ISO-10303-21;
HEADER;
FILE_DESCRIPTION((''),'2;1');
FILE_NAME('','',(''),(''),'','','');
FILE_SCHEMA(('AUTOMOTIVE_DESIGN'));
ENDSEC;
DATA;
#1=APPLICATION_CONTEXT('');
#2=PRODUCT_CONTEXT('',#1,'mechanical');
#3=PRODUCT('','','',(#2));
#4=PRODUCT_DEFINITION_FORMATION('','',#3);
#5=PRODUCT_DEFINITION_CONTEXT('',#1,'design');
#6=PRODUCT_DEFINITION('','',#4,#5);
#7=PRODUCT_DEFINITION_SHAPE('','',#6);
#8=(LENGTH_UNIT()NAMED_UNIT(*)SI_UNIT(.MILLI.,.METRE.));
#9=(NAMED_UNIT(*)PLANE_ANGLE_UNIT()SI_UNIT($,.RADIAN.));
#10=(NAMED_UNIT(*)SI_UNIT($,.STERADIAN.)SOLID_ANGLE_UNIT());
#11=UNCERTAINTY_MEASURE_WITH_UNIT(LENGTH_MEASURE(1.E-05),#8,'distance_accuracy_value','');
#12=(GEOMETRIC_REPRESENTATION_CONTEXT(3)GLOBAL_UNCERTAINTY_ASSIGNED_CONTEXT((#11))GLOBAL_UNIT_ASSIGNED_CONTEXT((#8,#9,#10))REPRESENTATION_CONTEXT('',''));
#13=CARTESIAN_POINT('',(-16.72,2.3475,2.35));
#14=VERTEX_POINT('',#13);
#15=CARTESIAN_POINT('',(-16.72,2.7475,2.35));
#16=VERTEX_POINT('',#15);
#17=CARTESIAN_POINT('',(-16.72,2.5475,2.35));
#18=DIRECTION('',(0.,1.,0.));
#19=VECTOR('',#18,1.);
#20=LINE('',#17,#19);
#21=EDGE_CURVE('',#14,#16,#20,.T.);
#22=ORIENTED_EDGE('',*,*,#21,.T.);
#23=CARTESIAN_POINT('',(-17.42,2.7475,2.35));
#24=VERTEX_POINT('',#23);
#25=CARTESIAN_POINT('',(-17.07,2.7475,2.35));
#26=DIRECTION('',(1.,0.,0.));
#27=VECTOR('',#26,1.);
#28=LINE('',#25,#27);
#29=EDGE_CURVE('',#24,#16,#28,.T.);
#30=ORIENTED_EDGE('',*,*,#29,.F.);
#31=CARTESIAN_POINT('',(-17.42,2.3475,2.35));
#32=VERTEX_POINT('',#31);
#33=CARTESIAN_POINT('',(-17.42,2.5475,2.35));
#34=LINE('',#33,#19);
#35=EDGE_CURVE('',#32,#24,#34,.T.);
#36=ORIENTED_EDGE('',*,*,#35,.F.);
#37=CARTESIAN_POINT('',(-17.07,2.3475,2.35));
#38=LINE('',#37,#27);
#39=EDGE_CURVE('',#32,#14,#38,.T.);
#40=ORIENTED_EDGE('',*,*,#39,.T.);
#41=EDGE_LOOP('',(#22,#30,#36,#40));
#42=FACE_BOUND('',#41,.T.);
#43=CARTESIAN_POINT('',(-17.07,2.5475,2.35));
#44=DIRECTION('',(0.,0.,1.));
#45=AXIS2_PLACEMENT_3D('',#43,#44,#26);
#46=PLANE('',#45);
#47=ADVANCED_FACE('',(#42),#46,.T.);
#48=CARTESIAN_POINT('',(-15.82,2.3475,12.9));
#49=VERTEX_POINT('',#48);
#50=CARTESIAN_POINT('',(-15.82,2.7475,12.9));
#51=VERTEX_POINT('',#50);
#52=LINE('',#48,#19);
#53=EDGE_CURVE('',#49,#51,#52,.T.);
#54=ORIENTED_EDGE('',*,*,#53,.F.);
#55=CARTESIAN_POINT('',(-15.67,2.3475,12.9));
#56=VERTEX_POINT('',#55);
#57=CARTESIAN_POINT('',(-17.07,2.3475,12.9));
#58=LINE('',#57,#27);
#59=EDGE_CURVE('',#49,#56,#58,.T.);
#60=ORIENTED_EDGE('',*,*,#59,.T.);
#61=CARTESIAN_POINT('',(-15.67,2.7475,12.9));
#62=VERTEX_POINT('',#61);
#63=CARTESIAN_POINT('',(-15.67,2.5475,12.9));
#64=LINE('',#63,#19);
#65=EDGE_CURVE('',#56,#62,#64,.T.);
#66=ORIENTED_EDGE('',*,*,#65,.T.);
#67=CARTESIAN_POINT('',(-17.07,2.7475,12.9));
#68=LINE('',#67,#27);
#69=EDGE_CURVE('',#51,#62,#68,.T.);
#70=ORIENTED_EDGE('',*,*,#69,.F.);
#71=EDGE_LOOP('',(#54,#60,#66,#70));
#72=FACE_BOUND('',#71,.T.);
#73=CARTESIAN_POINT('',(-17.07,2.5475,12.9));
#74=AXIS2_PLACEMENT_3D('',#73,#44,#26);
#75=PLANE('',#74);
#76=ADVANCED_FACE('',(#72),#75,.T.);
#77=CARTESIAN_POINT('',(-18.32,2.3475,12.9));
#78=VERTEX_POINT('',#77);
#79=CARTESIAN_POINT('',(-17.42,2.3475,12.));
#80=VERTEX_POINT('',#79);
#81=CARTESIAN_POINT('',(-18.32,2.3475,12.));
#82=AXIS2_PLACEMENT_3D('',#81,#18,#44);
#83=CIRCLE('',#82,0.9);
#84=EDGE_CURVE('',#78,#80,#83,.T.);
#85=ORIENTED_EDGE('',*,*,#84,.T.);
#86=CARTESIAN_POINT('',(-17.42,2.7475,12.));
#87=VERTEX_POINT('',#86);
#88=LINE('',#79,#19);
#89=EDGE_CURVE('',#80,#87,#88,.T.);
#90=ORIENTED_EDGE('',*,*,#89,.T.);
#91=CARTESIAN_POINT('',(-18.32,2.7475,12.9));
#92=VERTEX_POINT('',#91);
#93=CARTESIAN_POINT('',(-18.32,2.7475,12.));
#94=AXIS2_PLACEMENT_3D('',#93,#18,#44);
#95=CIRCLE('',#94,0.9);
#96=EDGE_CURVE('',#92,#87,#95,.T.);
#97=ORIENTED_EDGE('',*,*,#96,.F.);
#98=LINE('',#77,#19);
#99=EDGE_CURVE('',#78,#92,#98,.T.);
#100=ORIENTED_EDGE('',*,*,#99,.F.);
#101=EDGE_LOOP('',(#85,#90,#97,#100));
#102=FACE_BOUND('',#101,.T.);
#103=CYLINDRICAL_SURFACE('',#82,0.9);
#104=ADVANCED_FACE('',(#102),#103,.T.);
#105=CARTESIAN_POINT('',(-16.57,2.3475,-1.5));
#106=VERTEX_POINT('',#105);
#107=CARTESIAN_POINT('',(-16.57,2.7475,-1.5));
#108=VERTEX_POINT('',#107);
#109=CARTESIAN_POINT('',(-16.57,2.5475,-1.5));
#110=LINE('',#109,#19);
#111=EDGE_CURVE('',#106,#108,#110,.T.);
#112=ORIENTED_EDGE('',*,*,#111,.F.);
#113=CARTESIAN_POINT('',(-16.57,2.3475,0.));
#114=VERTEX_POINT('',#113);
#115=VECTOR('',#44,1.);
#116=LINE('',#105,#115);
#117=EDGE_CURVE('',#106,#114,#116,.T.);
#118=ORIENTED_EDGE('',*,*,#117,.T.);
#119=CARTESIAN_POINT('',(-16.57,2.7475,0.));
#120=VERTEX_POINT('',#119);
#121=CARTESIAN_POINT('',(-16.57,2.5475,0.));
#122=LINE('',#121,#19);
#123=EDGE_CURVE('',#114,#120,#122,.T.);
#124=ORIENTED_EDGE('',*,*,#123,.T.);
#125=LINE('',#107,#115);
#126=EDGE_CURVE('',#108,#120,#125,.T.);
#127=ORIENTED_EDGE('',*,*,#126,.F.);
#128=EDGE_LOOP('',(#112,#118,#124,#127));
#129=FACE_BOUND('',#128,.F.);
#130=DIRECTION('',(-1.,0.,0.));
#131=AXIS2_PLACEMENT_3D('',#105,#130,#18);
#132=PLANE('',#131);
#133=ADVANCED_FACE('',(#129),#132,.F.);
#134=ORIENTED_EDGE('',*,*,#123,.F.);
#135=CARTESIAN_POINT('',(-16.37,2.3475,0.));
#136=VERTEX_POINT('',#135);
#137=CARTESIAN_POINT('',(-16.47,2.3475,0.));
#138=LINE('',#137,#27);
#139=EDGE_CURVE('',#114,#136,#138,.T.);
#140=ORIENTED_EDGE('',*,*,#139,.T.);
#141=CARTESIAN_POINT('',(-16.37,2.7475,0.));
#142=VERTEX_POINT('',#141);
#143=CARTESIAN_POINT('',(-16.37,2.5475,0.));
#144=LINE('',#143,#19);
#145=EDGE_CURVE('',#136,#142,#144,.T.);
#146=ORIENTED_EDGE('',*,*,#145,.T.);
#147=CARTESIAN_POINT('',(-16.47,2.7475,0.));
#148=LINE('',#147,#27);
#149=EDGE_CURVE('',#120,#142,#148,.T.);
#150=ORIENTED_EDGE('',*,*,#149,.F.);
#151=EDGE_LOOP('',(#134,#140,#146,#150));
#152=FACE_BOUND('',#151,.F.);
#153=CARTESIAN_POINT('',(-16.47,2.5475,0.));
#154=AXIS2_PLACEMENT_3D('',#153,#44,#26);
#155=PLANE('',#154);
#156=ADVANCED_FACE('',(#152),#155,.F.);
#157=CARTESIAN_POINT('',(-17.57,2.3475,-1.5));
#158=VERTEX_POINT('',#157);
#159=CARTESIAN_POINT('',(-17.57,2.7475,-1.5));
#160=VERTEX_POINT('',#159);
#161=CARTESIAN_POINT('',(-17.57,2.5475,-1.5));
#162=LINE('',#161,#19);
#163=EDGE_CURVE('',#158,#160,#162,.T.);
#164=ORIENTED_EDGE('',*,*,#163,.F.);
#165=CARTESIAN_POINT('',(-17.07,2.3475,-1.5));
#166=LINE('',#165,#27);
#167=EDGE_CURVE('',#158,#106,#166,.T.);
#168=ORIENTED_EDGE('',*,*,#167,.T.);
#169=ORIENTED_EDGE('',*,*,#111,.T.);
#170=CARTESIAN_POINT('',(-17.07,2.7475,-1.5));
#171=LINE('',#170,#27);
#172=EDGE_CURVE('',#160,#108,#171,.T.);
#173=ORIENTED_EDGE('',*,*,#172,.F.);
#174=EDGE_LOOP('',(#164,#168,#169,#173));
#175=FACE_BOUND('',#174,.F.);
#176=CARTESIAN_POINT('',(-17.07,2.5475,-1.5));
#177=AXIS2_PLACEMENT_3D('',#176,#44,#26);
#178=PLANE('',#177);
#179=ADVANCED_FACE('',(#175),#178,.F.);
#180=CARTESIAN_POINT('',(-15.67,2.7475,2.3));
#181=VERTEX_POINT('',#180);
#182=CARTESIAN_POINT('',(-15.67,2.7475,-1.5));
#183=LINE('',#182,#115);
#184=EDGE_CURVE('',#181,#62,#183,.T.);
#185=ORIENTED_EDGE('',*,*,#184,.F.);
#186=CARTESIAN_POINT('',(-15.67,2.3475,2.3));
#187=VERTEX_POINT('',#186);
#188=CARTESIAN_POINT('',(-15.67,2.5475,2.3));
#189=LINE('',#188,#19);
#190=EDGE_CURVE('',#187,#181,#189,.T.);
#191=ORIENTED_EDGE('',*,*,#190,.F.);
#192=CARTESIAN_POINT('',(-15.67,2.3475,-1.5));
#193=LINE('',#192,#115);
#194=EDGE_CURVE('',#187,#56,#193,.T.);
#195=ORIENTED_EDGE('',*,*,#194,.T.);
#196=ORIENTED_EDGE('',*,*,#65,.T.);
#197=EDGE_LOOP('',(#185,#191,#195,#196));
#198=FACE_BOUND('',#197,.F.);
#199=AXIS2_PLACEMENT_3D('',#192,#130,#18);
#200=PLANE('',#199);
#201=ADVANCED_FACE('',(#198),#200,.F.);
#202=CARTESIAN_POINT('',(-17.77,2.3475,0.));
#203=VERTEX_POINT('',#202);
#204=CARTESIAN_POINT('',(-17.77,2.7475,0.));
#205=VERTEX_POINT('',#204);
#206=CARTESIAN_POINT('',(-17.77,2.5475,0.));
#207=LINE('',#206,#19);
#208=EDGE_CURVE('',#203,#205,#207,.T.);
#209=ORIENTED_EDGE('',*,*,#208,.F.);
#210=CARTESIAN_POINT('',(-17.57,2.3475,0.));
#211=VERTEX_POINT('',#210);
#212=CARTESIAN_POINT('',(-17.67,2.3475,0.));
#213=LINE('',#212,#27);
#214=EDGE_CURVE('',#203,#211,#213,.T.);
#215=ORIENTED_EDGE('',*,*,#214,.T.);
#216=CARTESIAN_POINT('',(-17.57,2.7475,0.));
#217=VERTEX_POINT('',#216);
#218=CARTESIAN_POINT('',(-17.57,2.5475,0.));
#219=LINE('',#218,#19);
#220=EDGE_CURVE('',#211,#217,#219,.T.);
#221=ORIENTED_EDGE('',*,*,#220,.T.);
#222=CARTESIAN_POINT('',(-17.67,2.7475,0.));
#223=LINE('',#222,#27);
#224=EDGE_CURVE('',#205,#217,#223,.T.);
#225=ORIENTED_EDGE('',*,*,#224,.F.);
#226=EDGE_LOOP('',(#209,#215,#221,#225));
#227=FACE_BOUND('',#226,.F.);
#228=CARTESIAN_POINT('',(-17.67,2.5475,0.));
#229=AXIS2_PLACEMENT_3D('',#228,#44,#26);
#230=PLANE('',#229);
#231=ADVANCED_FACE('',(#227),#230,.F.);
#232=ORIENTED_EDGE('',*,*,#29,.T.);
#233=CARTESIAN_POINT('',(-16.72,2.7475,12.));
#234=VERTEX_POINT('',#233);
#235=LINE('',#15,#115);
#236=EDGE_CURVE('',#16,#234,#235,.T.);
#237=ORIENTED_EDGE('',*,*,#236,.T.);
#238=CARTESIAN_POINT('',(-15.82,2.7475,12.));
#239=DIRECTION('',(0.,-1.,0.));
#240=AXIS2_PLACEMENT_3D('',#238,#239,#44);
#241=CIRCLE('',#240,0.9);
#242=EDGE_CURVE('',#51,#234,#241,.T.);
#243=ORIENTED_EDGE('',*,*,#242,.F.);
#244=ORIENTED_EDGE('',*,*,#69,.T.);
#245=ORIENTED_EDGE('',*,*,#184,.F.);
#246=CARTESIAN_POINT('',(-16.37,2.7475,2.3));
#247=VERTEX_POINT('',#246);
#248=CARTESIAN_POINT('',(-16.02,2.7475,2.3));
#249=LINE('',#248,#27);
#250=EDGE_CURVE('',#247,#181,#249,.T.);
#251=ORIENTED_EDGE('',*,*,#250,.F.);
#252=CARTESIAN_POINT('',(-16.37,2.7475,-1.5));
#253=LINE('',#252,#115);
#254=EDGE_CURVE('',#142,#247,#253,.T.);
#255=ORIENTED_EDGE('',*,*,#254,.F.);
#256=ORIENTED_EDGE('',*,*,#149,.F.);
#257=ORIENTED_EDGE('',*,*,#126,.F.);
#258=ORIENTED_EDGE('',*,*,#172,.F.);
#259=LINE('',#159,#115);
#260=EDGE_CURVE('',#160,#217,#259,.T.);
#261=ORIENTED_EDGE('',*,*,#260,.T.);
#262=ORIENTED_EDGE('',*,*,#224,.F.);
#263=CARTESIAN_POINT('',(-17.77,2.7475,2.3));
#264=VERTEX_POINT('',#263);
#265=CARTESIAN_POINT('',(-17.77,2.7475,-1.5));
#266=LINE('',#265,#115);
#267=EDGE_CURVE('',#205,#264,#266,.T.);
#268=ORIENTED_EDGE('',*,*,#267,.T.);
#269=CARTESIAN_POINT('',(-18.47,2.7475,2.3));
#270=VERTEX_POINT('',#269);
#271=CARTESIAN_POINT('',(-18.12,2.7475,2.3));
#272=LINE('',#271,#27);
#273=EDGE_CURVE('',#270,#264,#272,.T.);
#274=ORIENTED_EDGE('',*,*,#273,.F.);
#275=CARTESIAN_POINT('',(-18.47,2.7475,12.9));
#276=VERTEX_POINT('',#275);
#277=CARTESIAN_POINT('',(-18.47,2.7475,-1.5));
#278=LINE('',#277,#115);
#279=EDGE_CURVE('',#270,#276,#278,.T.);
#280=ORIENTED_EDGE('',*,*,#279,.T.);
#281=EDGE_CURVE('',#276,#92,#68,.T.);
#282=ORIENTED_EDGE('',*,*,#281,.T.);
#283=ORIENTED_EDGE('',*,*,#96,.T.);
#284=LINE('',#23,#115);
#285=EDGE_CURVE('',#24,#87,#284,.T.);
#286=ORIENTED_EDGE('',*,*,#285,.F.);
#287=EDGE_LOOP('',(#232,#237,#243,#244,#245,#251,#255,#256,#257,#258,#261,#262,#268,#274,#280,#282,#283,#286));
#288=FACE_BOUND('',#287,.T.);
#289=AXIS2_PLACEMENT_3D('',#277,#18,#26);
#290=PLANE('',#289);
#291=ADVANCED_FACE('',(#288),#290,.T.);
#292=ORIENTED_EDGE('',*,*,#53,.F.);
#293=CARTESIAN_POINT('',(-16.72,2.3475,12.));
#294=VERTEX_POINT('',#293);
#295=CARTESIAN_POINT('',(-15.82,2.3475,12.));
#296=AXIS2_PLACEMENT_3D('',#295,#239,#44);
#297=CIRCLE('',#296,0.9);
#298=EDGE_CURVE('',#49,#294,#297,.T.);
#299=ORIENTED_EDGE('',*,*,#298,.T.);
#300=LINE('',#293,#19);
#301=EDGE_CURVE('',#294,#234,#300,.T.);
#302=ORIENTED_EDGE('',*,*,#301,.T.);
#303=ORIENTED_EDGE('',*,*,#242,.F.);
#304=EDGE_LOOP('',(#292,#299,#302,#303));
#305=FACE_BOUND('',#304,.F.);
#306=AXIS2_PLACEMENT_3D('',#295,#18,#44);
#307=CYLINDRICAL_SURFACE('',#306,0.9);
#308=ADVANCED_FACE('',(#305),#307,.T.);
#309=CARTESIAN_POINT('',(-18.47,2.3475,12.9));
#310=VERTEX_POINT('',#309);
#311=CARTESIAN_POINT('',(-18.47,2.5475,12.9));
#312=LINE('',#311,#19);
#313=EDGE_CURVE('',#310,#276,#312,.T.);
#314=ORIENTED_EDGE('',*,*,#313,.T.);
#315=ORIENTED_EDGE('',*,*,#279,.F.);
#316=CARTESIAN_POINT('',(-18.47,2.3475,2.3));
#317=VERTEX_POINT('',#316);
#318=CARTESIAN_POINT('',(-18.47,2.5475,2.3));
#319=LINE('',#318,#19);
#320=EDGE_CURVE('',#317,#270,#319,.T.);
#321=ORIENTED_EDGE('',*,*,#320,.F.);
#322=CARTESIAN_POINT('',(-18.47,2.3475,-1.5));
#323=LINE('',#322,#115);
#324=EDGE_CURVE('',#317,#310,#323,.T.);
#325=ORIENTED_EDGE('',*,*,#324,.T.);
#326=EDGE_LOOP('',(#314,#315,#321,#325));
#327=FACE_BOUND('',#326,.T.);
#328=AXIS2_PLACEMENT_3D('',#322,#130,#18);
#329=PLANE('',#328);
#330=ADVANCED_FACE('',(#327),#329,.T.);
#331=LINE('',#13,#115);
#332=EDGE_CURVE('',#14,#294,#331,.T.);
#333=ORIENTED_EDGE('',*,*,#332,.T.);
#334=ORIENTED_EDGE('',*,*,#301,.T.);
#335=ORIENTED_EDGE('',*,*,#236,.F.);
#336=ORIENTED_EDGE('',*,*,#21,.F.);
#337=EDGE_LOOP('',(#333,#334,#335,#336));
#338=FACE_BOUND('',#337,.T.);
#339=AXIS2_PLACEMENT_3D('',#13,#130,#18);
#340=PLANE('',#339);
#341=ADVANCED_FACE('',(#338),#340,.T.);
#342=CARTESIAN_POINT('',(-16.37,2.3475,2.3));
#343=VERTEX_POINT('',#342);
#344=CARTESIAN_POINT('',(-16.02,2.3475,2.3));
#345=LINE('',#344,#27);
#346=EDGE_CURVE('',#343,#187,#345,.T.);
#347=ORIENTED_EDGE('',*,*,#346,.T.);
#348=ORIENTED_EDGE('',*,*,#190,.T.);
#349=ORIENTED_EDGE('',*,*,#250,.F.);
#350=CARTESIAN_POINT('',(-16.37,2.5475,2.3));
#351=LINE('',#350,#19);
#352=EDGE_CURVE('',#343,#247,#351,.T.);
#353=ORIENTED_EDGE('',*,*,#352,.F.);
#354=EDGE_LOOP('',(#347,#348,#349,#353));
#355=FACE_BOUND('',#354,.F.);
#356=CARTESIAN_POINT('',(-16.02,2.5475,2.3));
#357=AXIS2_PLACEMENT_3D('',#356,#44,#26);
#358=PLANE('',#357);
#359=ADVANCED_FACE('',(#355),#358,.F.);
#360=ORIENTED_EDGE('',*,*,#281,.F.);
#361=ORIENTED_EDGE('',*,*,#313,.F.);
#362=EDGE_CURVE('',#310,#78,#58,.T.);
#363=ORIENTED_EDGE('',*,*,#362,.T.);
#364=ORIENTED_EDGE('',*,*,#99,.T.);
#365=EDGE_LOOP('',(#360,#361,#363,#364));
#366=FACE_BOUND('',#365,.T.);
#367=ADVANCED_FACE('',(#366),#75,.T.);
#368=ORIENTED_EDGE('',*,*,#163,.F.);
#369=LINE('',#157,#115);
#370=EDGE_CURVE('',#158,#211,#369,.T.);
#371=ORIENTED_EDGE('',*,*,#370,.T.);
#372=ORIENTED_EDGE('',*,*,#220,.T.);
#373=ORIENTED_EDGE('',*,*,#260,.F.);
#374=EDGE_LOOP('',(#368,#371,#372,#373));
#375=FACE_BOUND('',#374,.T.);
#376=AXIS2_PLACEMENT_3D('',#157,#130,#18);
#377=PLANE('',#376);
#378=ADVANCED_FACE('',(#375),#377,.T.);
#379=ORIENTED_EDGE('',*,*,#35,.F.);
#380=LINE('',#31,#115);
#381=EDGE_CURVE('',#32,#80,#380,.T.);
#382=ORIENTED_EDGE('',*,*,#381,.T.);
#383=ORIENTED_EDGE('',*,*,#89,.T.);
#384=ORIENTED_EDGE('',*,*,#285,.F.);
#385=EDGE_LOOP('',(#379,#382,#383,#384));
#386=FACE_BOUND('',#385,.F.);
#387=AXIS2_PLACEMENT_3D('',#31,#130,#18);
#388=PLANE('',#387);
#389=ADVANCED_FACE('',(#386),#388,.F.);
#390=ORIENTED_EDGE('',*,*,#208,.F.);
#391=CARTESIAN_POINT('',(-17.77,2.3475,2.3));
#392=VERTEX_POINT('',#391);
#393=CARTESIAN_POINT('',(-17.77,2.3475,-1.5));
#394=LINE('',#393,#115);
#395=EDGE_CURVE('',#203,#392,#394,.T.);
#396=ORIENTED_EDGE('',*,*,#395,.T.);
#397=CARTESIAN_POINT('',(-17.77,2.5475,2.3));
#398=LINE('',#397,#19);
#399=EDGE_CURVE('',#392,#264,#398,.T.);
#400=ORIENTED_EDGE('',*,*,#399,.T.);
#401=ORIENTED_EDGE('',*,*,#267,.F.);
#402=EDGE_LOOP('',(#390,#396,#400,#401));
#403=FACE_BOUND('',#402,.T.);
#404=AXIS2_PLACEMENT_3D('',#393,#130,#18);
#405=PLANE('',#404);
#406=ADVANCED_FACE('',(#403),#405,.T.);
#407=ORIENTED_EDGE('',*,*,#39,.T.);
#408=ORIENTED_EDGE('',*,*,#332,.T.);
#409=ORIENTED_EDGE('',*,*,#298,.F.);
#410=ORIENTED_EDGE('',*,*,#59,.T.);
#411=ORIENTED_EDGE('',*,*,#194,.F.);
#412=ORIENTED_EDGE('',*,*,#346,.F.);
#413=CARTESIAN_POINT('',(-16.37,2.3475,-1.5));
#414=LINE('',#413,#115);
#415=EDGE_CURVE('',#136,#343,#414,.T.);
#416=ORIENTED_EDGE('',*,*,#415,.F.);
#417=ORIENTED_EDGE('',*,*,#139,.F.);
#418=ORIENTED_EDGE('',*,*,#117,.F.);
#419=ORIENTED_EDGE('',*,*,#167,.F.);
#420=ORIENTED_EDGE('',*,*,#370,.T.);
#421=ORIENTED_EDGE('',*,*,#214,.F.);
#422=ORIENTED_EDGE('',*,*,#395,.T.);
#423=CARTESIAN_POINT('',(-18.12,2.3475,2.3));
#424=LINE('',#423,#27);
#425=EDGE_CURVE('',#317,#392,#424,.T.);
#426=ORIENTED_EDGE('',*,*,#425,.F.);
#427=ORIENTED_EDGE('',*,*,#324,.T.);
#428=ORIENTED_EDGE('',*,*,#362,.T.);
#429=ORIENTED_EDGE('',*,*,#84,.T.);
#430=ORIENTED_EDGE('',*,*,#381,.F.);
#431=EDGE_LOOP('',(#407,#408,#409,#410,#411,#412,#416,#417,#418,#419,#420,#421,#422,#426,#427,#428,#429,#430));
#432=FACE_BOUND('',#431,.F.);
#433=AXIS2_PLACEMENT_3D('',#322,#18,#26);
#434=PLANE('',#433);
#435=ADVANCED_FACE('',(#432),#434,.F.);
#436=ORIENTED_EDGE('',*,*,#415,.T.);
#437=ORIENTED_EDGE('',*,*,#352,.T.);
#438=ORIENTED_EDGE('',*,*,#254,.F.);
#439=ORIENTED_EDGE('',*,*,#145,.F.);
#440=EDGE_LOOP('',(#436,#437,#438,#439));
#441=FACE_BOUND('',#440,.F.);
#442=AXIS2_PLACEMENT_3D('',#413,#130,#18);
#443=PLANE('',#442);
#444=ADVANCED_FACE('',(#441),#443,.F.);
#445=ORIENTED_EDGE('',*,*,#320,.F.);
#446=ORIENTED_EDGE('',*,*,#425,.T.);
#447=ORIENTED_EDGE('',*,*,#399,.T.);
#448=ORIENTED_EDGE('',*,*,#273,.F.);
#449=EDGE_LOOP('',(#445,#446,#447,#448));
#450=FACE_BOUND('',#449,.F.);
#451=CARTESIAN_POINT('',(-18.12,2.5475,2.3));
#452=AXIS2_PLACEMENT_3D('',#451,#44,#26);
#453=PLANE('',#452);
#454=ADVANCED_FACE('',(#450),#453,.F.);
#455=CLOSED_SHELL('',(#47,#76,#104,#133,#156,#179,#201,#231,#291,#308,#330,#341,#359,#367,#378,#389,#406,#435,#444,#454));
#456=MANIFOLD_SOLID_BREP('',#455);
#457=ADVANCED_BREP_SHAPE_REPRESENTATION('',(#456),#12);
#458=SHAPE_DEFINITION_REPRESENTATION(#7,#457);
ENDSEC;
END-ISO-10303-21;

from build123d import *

# Parameters (mm, degrees)
BOX017_W     = 2.8
BOX017_H     = 0.4
BOX017_DEPTH = 14.4
BOX018_W     = 0.7
BOX018_H     = 0.4
BOX018_DEPTH = 10.55
BOX019_W     = 0.7
BOX019_H     = 0.4
BOX019_DEPTH = 3.8
BOX020_W     = 0.7
BOX020_H     = 0.4
BOX020_DEPTH = 3.8
BOX021_W     = 0.2
BOX021_H     = 0.4
BOX021_DEPTH = 1.5
BOX022_W     = 0.2
BOX022_H     = 0.4
BOX022_DEPTH = 1.5
FILLET003_R  = 0.9


with BuildPart() as part:
    # Box017 → Box017 (join)
    with BuildSketch(Plane(origin=(-20.85, -2.74, -1.5), x_dir=(1, 0, 0), z_dir=(0, 0, 1))):
        with Locations((1.4, 0.2)):
            Rectangle(BOX017_W, BOX017_H)
    extrude(amount=BOX017_DEPTH)

    # Box018 → Box018 (cut)
    with BuildSketch(Plane(origin=(-19.8, -2.74, 2.35), x_dir=(1, 0, 0), z_dir=(0, 0, 1))):
        with Locations((0.35, 0.2)):
            Rectangle(BOX018_W, BOX018_H)
    extrude(amount=BOX018_DEPTH, mode=Mode.SUBTRACT)

    # Box019 → Box019 (cut)
    with BuildSketch(Plane(origin=(-20.85, -2.74, -1.5), x_dir=(1, 0, 0), z_dir=(0, 0, 1))):
        with Locations((0.35, 0.2)):
            Rectangle(BOX019_W, BOX019_H)
    extrude(amount=BOX019_DEPTH, mode=Mode.SUBTRACT)

    # Box020 → Box020 (cut)
    with BuildSketch(Plane(origin=(-18.75, -2.74, -1.5), x_dir=(1, 0, 0), z_dir=(0, 0, 1))):
        with Locations((0.35, 0.2)):
            Rectangle(BOX020_W, BOX020_H)
    extrude(amount=BOX020_DEPTH, mode=Mode.SUBTRACT)

    # Box021 → Box021 (cut)
    with BuildSketch(Plane(origin=(-20.15, -2.74, -1.5), x_dir=(1, 0, 0), z_dir=(0, 0, 1))):
        with Locations((0.1, 0.2)):
            Rectangle(BOX021_W, BOX021_H)
    extrude(amount=BOX021_DEPTH, mode=Mode.SUBTRACT)

    # Box022 → Box022 (cut)
    with BuildSketch(Plane(origin=(-18.95, -2.74, -1.5), x_dir=(1, 0, 0), z_dir=(0, 0, 1))):
        with Locations((0.1, 0.2)):
            Rectangle(BOX022_W, BOX022_H)
    extrude(amount=BOX022_DEPTH, mode=Mode.SUBTRACT)

    # Fillet003
    fillet003_edges = [part.edges().sort_by_distance(p)[0] for p in [
        (-19.8, -2.54, 12.9),
        (-19.1, -2.54, 12.9),
    ]]
    fillet(fillet003_edges, radius=FILLET003_R)


with BuildPart() as part_1:
    # Body003 placement: moved
    add(part.part.moved(Location((2.38, 5.0875, 0))))


solid = part_1.part
